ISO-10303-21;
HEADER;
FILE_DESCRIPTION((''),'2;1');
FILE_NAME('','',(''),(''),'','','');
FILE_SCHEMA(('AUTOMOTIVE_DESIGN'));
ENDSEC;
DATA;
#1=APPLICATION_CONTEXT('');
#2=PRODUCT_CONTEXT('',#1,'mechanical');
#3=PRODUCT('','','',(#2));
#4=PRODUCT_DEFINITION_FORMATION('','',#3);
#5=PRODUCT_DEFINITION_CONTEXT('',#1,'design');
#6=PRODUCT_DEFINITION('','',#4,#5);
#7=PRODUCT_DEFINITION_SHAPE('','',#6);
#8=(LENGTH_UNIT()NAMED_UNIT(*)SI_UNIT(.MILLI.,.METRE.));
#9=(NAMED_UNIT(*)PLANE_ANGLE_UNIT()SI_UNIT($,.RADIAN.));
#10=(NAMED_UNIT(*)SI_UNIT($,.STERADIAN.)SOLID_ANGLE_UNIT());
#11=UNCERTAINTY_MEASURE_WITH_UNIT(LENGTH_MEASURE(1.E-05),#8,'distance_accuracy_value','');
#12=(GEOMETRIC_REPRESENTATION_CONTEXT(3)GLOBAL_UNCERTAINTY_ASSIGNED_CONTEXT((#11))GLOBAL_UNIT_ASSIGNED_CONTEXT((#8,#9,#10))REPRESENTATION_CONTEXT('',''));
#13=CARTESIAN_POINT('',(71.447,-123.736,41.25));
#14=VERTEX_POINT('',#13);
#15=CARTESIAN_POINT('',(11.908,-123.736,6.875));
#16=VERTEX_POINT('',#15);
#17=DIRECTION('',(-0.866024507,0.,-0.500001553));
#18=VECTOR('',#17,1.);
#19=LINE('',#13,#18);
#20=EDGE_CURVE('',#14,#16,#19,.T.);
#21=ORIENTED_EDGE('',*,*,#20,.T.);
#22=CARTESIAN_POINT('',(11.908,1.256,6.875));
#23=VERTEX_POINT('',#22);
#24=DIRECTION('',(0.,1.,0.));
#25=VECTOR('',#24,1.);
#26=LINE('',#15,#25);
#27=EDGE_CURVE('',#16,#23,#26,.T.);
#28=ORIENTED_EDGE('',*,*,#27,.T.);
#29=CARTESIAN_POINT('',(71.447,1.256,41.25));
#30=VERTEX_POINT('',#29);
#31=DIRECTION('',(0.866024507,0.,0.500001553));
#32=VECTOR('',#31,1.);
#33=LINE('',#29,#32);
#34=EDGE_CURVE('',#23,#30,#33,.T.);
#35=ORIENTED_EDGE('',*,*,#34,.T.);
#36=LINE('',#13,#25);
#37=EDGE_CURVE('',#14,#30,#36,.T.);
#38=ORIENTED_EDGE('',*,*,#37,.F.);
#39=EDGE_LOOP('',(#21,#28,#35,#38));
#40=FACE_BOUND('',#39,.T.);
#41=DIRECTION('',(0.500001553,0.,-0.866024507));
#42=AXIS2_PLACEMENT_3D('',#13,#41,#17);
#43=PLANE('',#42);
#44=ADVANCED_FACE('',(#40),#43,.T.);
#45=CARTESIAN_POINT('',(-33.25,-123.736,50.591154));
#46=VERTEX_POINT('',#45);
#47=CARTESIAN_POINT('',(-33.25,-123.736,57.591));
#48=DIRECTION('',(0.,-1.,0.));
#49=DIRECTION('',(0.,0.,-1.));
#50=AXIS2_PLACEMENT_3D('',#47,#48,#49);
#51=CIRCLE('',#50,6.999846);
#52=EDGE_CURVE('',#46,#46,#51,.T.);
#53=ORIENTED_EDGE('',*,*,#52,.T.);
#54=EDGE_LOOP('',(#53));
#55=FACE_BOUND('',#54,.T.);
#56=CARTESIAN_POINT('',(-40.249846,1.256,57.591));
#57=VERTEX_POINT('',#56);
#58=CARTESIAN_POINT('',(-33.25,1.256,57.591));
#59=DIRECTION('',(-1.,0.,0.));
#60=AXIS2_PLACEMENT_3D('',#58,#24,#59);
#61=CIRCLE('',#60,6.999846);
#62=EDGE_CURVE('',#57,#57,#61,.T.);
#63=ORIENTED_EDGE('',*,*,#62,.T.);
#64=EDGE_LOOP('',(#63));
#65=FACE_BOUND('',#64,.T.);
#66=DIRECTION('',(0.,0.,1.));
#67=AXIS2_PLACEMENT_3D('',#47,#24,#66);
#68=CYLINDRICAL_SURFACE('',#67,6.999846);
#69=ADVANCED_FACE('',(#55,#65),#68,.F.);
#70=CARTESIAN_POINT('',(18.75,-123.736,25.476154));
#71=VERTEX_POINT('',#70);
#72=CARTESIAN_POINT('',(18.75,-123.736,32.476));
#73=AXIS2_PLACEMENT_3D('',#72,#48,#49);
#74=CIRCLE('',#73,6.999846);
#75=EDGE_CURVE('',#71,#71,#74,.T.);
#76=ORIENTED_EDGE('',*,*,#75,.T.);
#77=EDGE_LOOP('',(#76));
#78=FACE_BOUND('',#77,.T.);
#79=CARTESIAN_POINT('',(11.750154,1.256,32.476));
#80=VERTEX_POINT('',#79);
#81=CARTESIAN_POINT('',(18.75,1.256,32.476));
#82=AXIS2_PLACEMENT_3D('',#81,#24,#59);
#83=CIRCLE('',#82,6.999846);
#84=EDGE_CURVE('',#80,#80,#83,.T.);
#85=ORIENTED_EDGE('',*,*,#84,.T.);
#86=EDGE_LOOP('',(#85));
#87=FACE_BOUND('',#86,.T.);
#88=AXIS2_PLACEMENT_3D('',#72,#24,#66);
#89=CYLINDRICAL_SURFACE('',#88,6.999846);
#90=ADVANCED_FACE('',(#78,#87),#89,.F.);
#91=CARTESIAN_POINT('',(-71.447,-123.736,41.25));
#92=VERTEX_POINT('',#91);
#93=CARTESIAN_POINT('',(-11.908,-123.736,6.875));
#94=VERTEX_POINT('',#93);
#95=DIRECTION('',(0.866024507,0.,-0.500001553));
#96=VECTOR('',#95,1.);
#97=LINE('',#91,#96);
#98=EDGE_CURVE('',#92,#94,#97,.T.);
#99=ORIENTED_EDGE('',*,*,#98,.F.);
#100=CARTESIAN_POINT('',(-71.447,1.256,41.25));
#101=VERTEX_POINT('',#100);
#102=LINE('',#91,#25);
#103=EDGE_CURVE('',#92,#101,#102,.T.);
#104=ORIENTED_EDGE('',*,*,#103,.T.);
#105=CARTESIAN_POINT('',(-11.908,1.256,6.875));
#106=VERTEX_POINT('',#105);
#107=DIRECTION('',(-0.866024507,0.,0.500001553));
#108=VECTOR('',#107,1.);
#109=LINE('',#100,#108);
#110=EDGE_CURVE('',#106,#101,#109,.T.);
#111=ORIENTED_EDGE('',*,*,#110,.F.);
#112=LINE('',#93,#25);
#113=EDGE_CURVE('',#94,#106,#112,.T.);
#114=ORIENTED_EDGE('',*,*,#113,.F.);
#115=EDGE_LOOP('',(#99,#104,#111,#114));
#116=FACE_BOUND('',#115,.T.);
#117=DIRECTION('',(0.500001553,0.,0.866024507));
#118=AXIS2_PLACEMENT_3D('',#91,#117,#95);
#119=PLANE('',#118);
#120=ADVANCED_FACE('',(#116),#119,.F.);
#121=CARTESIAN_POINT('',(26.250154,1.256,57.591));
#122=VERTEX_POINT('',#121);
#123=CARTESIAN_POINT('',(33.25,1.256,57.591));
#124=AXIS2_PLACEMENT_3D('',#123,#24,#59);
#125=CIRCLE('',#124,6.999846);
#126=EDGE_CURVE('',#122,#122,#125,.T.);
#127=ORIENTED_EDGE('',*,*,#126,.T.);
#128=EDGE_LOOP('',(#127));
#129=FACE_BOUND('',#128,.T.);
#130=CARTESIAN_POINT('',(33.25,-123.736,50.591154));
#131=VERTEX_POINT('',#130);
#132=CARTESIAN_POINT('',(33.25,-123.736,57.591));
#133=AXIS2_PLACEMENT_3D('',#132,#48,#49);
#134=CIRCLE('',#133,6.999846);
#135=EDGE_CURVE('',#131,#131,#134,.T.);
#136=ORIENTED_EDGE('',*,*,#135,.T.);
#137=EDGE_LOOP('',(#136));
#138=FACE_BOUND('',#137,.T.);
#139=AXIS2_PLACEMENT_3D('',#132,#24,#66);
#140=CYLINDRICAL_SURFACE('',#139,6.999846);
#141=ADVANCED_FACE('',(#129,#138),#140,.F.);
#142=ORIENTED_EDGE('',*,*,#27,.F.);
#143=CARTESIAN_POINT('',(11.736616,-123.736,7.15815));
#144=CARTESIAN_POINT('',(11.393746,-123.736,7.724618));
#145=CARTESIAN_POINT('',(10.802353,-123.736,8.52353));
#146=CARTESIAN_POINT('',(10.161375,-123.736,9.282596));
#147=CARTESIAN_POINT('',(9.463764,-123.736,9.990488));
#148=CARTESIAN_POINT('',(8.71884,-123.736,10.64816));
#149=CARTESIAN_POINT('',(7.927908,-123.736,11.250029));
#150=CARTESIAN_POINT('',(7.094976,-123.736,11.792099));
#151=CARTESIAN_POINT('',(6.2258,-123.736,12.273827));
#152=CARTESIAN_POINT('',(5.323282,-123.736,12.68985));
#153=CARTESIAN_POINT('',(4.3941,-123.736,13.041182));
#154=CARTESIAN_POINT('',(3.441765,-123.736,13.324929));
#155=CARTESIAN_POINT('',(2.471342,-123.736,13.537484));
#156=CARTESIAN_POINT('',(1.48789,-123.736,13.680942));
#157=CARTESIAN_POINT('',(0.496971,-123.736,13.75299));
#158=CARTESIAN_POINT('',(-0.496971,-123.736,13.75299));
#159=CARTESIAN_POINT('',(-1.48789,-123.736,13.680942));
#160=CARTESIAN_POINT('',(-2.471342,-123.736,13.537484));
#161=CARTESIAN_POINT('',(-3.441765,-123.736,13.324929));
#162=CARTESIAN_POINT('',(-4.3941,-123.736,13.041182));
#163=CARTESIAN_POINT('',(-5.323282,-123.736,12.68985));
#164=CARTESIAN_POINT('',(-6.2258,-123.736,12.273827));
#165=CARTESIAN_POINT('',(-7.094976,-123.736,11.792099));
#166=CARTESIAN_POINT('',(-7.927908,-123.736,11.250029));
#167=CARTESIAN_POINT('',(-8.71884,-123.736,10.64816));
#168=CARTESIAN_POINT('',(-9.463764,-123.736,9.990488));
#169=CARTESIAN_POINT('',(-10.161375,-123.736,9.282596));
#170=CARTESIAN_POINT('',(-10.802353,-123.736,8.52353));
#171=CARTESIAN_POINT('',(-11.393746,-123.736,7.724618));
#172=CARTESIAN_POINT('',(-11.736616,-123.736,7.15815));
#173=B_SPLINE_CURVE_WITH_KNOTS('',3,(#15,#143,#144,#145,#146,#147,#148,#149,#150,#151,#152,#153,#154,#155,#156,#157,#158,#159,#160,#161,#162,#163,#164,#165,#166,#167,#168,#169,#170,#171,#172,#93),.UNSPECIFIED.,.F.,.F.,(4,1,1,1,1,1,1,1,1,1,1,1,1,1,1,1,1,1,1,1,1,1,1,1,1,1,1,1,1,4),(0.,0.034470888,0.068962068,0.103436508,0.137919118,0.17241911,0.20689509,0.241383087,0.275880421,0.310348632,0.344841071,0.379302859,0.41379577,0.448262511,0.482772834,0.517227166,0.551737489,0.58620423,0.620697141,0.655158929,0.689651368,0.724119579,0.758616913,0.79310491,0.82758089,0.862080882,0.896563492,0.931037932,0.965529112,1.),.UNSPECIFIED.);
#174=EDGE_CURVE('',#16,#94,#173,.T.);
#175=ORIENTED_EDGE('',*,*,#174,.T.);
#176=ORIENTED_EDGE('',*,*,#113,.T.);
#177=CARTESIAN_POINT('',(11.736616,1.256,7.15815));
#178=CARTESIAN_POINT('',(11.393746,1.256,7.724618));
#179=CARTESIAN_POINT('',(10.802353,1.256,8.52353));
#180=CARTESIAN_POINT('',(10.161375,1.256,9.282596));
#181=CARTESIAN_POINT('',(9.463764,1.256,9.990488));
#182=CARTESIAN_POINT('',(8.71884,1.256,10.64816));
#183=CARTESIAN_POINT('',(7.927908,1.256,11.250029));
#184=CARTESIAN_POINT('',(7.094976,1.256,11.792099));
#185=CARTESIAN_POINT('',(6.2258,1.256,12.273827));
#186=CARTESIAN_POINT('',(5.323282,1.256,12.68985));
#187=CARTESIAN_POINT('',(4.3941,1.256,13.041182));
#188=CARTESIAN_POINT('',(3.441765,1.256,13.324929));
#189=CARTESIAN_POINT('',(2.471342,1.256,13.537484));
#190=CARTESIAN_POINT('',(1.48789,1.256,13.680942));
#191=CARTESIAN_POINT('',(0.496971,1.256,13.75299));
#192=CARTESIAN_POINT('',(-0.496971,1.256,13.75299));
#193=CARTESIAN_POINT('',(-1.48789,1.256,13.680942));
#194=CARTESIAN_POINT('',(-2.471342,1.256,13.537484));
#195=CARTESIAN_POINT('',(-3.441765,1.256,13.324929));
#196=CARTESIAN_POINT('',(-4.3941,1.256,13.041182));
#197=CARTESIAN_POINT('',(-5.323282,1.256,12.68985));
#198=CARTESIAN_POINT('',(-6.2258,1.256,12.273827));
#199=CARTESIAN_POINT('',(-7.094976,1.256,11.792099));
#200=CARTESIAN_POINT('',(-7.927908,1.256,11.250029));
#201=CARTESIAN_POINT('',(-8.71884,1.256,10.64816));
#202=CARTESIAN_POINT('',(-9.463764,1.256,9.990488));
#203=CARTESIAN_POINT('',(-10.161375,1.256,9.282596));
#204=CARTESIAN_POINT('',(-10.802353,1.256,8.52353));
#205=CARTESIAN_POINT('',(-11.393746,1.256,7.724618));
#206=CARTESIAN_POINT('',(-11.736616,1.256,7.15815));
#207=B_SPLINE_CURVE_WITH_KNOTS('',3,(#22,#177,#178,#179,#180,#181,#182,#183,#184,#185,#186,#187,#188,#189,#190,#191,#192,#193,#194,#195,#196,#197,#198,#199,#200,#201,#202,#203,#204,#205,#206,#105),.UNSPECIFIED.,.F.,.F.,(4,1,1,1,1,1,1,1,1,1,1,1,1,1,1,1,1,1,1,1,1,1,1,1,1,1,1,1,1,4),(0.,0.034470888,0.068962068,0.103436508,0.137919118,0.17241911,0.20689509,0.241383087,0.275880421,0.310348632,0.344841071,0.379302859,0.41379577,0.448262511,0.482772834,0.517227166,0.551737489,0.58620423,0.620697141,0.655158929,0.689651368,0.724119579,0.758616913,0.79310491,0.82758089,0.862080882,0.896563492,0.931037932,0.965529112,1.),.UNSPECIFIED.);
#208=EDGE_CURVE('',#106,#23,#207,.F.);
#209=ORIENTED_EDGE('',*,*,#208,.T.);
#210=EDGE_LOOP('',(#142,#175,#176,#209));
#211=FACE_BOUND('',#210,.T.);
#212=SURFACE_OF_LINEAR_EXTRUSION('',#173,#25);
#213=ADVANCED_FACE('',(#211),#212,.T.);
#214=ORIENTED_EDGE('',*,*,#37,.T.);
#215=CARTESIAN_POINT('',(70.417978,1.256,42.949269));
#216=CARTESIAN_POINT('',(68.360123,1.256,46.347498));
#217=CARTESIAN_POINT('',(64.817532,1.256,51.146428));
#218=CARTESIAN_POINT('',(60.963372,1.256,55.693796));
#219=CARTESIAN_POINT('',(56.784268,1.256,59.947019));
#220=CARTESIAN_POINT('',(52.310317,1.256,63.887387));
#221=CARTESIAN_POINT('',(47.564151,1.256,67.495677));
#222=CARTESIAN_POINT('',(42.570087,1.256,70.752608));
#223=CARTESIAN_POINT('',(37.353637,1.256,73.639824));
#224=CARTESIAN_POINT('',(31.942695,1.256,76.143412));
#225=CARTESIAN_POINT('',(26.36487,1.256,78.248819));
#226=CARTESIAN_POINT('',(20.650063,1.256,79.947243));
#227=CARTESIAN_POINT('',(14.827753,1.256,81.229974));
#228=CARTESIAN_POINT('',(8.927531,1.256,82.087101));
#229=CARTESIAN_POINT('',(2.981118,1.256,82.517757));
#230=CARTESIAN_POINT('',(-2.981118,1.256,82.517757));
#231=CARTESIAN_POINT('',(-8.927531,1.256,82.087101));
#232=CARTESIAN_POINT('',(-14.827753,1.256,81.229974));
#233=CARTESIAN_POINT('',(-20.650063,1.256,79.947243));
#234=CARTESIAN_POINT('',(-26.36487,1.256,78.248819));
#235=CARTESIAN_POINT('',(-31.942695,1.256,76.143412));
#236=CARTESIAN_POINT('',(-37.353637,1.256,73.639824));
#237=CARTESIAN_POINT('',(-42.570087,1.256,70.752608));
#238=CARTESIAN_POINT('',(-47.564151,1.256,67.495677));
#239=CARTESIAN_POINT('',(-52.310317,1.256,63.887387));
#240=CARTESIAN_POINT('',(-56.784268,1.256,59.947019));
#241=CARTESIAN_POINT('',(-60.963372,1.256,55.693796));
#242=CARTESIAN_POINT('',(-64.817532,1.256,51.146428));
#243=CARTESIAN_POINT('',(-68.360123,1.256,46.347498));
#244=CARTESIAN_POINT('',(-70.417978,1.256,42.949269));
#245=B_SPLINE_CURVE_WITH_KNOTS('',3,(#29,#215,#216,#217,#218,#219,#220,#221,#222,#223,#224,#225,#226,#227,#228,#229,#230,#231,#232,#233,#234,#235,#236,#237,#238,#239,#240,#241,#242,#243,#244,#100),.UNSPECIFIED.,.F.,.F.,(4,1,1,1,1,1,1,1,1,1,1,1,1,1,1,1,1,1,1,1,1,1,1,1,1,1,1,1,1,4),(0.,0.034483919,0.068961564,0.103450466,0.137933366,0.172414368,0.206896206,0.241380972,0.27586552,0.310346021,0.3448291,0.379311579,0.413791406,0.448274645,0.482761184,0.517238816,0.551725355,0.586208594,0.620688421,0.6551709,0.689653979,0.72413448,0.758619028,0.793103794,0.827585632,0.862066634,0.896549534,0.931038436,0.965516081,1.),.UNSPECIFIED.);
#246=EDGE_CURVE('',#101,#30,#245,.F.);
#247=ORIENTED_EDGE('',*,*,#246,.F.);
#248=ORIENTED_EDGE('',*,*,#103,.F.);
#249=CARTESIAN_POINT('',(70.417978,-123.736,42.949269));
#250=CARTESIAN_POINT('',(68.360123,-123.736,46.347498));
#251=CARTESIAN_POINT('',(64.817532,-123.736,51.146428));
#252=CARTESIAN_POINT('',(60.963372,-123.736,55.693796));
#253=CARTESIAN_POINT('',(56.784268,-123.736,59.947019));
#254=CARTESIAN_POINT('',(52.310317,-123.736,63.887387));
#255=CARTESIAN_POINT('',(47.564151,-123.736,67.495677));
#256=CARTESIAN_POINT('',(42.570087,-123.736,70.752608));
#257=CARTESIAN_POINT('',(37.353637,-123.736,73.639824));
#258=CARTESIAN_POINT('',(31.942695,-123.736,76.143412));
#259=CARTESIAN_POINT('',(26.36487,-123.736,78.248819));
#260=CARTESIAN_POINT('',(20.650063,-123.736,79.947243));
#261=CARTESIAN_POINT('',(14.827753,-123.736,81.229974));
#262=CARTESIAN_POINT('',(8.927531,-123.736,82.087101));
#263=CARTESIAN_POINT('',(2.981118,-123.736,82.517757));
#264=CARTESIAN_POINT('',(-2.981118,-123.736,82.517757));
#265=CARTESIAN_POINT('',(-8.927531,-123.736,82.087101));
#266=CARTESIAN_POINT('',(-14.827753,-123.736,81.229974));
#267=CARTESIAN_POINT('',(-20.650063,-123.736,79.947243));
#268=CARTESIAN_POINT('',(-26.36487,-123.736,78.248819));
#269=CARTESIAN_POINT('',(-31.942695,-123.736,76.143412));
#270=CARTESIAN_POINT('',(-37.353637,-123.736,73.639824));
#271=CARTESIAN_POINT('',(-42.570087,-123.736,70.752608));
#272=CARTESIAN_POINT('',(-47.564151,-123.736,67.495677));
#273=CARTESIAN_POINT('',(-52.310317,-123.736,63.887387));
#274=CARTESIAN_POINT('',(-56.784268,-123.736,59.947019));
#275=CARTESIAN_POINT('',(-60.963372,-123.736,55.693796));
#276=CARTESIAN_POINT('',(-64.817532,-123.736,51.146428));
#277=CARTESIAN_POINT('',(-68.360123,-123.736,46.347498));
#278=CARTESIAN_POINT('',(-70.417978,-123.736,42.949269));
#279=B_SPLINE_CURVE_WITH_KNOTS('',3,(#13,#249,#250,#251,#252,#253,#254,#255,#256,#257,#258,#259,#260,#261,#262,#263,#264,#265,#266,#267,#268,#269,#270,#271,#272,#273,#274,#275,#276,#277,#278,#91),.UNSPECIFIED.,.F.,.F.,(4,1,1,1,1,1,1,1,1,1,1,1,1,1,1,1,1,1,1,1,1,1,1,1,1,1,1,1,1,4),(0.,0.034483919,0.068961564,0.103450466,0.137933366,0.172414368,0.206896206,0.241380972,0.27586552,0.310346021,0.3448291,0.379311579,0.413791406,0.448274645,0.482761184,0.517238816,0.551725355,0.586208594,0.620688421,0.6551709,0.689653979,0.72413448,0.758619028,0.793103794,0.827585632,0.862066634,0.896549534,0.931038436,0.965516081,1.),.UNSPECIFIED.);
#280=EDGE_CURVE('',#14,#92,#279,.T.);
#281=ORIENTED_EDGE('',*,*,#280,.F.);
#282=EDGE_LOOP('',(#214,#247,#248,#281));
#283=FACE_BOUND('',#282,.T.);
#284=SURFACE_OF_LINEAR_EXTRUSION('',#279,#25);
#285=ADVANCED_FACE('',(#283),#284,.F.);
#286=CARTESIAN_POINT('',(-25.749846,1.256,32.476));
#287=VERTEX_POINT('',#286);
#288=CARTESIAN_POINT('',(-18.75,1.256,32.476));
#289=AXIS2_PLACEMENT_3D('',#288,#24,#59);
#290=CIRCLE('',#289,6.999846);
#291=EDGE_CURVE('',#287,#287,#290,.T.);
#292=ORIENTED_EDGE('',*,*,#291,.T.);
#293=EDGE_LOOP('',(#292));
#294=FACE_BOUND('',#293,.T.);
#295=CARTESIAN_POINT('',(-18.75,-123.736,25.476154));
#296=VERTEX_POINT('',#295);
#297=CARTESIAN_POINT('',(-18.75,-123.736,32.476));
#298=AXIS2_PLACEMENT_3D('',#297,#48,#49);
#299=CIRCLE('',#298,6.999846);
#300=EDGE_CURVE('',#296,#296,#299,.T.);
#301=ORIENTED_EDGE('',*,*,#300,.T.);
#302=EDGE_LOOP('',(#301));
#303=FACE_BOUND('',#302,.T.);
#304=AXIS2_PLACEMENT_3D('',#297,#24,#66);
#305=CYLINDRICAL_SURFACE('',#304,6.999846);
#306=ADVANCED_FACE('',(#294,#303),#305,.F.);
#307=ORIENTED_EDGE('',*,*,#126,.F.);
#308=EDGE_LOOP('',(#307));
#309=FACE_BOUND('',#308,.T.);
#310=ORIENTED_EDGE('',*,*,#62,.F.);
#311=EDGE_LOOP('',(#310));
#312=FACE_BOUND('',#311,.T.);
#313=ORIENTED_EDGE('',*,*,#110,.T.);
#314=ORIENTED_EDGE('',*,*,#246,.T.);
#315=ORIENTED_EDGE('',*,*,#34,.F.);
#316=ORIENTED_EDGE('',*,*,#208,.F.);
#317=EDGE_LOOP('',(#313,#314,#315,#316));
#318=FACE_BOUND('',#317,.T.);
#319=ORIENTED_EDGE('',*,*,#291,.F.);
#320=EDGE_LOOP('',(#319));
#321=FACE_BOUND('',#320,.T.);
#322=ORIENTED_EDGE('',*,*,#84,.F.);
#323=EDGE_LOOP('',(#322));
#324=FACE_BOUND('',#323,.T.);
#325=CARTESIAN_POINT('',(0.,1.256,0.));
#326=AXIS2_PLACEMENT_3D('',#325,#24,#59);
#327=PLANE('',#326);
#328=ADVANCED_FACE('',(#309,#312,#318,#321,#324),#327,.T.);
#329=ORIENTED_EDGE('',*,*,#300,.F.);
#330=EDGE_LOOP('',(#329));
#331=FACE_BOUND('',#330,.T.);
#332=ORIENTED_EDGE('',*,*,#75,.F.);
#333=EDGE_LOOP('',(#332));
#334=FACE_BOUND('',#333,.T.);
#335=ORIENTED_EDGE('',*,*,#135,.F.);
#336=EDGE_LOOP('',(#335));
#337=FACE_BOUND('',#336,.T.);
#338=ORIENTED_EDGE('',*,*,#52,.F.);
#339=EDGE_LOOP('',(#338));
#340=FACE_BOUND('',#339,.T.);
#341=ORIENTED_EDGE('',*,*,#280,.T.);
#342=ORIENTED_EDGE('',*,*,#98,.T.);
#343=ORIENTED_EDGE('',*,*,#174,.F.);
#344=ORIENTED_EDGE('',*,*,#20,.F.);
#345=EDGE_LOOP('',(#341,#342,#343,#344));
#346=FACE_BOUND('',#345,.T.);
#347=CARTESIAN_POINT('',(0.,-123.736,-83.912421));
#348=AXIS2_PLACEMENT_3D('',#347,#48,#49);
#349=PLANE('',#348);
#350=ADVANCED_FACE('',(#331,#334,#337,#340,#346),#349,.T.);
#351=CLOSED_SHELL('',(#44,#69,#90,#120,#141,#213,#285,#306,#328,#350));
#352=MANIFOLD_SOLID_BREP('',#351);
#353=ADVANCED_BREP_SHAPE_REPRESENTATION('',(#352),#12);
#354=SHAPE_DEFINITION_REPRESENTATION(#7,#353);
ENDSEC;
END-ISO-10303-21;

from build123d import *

# Parameters (mm, degrees)
F_3DSKETCH2_R  = 6.999845998
EXTRUDE3_DEPTH = 124.992


with BuildPart() as part:
    # 3DSketch2 → Extrude3 (new body)
    with BuildSketch(Plane(origin=(-18.75, -123.736, 32.476), x_dir=(0.8870183146835777, -1.4196355069849515e-13, 0.4617342411126832), z_dir=(0, -1, 0))):
        with BuildLine():
            Line((84.057647161, -33.864344653), (15.373349185, -36.864404238))
            add(Edge.make_bspline(
                [(15.373349185, -36.864404238), (15.352068384, -36.534110534), (15.309494256, -35.873328697), (15.15380243, -34.89161264), (14.935730394, -33.922345945), (14.643794083, -32.972322164), (14.286702831, -32.044997482), (13.863035519, -31.145928893), (13.374501259, -30.280509448), (12.825956594, -29.451879273), (12.217498956, -28.666136437), (11.555519853, -27.925462519), (10.84179713, -27.234048158), (10.079158018, -26.597430452), (9.273057277, -26.016087573), (8.427361578, -25.494638196), (7.545715962, -25.035700694), (6.633485756, -24.64206797), (5.694906567, -24.315223891), (4.735979636, -24.055686494), (3.760225519, -23.867649672), (2.773801545, -23.750253207), (1.781160185, -23.702549632), (0.787754631, -23.728523084), (-0.2013641, -23.8247555), (-1.180838094, -23.993423853), (-2.145269372, -24.232834664), (-3.090921175, -24.538636337), (-4.009966724, -24.915980503), (-4.903428486, -25.351563375), (-5.469117643, -25.695715914), (-5.751878998, -25.867741552)],
                knots=[0, 0, 0, 0, 0.034470888, 0.068962068, 0.103436508, 0.137919118, 0.17241911, 0.20689509, 0.241383087, 0.275880421, 0.310348632, 0.344841071, 0.379302859, 0.41379577, 0.448262511, 0.482772834, 0.517227166, 0.551737489, 0.58620423, 0.620697141, 0.655158929, 0.689651368, 0.724119579, 0.758616913, 0.79310491, 0.82758089, 0.862080882, 0.896563492, 0.931037932, 0.965529112, 1, 1, 1, 1], degree=3))
            Line((-5.751878998, -25.867741552), (-42.691947897, 32.114707997))
            add(Edge.make_bspline(
                [(84.057647161, -33.864344653), (83.929496966, -31.881927263), (83.673219895, -27.917453198), (82.746706821, -22.024979481), (81.427672342, -16.211783357), (79.684589433, -10.509460987), (77.535515525, -4.948506144), (74.991650083, 0.443580722), (72.065661239, 5.63846846), (68.77170116, 10.608095708), (65.128087834, 15.327241456), (61.152593676, 19.770248775), (56.867676078, 23.91550345), (52.295461541, 27.741669794), (47.45762087, 31.226291453), (42.381892258, 34.353953282), (37.093279559, 37.106921885), (31.61985405, 39.47058486), (25.990484034, 41.43463264), (20.233707282, 42.985186118), (14.380348982, 44.117375042), (8.460577738, 44.825313071), (2.504980102, 45.10300258), (-3.455233166, 44.950602481), (-9.38889544, 44.367574744), (-15.264902994, 43.358422936), (-21.052782359, 41.929020999), (-26.723582946, 40.085969417), (-32.241968491, 37.831968062), (-37.600141517, 35.210965428), (-40.994576154, 33.14685641), (-42.691947897, 32.114707997)],
                knots=[0, 0, 0, 0, 0.034483919, 0.068961564, 0.103450466, 0.137933366, 0.172414368, 0.206896206, 0.241380972, 0.27586552, 0.310346021, 0.3448291, 0.379311579, 0.413791406, 0.448274645, 0.482761184, 0.517238816, 0.551725355, 0.586208594, 0.620688421, 0.6551709, 0.689653979, 0.72413448, 0.758619028, 0.793103794, 0.827585632, 0.862066634, 0.896549534, 0.931038436, 0.965516081, 1, 1, 1, 1], degree=3))
        make_face()
        with Locations(Location((0, 0, 0), (0, 0, 152.500928353))):
            Circle(F_3DSKETCH2_R, mode=Mode.SUBTRACT)
        with Locations(Location((-1.265310097, 28.972611469, 0), (0, 0, 152.500928353))):
            Circle(F_3DSKETCH2_R, mode=Mode.SUBTRACT)
        with Locations(Location((33.263186801, -17.315034042, 0), (0, 0, 152.500928353))):
            Circle(F_3DSKETCH2_R, mode=Mode.SUBTRACT)
        with Locations(Location((57.721407829, -1.732715565, 0), (0, 0, 152.500928353))):
            Circle(F_3DSKETCH2_R, mode=Mode.SUBTRACT)
    extrude(amount=-EXTRUDE3_DEPTH)


solid = part.part
